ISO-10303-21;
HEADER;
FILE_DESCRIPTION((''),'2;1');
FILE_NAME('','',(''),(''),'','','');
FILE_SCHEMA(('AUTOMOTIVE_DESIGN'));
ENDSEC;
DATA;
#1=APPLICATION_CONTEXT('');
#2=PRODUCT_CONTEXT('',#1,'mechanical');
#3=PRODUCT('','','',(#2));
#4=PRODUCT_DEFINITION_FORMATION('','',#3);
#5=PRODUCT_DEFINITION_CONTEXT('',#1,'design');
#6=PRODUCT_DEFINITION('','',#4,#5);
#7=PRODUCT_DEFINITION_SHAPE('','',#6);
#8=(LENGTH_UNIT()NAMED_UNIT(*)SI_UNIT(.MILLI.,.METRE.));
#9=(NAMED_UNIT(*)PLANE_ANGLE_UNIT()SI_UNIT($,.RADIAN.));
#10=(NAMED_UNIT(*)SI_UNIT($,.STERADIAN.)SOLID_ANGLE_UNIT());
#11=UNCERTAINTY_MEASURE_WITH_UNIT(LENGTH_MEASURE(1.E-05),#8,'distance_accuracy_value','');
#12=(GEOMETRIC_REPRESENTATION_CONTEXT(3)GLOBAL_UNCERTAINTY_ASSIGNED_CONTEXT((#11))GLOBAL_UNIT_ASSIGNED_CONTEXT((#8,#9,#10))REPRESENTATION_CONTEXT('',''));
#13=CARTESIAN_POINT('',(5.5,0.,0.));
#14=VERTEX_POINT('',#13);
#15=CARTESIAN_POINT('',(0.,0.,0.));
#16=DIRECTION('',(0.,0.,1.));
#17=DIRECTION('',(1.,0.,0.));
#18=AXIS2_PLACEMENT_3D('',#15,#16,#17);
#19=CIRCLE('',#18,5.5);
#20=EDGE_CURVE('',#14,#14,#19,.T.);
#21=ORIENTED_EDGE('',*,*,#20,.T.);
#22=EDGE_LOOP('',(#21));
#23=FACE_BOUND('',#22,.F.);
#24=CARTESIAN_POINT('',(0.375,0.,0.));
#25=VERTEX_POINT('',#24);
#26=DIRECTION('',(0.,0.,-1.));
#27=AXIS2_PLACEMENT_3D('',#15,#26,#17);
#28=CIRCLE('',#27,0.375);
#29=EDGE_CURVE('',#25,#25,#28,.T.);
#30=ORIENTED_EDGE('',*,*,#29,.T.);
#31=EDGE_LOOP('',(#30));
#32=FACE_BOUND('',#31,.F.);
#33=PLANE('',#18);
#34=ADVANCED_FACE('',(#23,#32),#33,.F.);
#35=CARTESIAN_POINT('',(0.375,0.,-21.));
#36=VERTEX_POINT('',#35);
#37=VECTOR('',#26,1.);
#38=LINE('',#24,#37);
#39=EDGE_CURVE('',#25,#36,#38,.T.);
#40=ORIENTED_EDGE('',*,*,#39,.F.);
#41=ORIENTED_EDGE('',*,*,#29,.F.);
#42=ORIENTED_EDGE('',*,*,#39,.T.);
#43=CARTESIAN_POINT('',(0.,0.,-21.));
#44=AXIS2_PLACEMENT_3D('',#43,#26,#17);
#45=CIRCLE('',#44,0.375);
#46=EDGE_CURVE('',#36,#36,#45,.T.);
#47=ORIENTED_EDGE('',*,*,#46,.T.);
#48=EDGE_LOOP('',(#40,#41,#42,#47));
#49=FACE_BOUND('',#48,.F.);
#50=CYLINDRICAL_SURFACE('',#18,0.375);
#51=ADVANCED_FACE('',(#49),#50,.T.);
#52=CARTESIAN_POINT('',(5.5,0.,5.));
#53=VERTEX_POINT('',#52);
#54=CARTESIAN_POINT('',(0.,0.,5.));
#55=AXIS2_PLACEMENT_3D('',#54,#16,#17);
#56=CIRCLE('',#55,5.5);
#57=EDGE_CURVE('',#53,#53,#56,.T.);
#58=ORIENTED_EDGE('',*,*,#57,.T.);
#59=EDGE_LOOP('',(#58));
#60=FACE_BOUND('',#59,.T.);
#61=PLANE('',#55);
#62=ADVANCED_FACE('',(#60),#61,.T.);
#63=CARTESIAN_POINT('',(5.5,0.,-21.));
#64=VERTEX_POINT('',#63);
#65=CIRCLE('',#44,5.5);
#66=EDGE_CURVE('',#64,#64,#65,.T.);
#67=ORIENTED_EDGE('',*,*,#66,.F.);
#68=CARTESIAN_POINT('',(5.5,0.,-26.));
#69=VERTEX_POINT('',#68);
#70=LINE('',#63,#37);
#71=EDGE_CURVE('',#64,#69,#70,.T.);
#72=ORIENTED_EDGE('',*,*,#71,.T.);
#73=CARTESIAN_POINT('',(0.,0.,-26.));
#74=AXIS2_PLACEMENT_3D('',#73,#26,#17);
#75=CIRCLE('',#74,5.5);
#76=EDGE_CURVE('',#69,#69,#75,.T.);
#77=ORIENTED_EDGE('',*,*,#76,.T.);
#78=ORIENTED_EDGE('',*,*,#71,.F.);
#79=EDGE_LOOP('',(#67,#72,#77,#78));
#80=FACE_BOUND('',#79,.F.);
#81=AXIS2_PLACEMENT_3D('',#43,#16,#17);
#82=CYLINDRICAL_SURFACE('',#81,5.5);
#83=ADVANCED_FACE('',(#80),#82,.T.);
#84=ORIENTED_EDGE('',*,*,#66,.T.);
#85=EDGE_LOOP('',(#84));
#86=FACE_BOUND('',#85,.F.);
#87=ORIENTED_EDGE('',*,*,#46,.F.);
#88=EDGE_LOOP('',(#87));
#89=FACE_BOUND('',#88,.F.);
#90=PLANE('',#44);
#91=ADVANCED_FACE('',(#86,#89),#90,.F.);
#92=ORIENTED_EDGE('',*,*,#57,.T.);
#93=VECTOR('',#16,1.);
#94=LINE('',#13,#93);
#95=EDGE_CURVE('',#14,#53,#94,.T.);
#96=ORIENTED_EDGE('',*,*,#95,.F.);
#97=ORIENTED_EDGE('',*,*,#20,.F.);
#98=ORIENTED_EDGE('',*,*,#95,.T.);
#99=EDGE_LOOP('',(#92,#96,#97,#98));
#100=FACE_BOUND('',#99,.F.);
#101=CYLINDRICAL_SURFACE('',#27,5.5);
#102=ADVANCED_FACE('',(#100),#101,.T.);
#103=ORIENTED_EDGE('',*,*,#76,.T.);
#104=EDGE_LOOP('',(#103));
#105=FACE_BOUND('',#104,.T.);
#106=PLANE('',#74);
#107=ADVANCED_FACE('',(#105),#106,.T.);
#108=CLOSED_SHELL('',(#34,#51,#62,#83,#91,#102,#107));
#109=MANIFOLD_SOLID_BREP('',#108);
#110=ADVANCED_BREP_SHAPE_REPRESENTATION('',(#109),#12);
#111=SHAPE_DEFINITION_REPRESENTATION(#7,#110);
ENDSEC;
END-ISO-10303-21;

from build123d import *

# Parameters (mm, degrees)
F0_R     = 5.5
F1_DEPTH = 5
F3_R     = 5.5
F4_DEPTH = 5
F5_R     = 0.375
F6_DEPTH = 21


with BuildPart() as f1:
    # F0 (on Top) → F1 (new body)
    with BuildSketch(Plane.XY):
        Circle(F0_R)
    extrude(amount=F1_DEPTH)



with BuildPart() as f4:
    # F3 (on offset) → F4 (new body)
    with BuildSketch(Plane(origin=(0, 0, -21), x_dir=(1, 0, 0), z_dir=(0, 0, -1))):
        Circle(F3_R)
    extrude(amount=F4_DEPTH)


with BuildPart() as f1_1:
    add(f1.part)

    add(f4.part)  # F6 merges F4
    # F5 (on face) → F6 (join)
    with BuildSketch(Plane(origin=(0, 0, 0), x_dir=(1, 0, 0), z_dir=(0, 0, -1))):
        Circle(F5_R)
    extrude(amount=F6_DEPTH)


solid = f1_1.part
